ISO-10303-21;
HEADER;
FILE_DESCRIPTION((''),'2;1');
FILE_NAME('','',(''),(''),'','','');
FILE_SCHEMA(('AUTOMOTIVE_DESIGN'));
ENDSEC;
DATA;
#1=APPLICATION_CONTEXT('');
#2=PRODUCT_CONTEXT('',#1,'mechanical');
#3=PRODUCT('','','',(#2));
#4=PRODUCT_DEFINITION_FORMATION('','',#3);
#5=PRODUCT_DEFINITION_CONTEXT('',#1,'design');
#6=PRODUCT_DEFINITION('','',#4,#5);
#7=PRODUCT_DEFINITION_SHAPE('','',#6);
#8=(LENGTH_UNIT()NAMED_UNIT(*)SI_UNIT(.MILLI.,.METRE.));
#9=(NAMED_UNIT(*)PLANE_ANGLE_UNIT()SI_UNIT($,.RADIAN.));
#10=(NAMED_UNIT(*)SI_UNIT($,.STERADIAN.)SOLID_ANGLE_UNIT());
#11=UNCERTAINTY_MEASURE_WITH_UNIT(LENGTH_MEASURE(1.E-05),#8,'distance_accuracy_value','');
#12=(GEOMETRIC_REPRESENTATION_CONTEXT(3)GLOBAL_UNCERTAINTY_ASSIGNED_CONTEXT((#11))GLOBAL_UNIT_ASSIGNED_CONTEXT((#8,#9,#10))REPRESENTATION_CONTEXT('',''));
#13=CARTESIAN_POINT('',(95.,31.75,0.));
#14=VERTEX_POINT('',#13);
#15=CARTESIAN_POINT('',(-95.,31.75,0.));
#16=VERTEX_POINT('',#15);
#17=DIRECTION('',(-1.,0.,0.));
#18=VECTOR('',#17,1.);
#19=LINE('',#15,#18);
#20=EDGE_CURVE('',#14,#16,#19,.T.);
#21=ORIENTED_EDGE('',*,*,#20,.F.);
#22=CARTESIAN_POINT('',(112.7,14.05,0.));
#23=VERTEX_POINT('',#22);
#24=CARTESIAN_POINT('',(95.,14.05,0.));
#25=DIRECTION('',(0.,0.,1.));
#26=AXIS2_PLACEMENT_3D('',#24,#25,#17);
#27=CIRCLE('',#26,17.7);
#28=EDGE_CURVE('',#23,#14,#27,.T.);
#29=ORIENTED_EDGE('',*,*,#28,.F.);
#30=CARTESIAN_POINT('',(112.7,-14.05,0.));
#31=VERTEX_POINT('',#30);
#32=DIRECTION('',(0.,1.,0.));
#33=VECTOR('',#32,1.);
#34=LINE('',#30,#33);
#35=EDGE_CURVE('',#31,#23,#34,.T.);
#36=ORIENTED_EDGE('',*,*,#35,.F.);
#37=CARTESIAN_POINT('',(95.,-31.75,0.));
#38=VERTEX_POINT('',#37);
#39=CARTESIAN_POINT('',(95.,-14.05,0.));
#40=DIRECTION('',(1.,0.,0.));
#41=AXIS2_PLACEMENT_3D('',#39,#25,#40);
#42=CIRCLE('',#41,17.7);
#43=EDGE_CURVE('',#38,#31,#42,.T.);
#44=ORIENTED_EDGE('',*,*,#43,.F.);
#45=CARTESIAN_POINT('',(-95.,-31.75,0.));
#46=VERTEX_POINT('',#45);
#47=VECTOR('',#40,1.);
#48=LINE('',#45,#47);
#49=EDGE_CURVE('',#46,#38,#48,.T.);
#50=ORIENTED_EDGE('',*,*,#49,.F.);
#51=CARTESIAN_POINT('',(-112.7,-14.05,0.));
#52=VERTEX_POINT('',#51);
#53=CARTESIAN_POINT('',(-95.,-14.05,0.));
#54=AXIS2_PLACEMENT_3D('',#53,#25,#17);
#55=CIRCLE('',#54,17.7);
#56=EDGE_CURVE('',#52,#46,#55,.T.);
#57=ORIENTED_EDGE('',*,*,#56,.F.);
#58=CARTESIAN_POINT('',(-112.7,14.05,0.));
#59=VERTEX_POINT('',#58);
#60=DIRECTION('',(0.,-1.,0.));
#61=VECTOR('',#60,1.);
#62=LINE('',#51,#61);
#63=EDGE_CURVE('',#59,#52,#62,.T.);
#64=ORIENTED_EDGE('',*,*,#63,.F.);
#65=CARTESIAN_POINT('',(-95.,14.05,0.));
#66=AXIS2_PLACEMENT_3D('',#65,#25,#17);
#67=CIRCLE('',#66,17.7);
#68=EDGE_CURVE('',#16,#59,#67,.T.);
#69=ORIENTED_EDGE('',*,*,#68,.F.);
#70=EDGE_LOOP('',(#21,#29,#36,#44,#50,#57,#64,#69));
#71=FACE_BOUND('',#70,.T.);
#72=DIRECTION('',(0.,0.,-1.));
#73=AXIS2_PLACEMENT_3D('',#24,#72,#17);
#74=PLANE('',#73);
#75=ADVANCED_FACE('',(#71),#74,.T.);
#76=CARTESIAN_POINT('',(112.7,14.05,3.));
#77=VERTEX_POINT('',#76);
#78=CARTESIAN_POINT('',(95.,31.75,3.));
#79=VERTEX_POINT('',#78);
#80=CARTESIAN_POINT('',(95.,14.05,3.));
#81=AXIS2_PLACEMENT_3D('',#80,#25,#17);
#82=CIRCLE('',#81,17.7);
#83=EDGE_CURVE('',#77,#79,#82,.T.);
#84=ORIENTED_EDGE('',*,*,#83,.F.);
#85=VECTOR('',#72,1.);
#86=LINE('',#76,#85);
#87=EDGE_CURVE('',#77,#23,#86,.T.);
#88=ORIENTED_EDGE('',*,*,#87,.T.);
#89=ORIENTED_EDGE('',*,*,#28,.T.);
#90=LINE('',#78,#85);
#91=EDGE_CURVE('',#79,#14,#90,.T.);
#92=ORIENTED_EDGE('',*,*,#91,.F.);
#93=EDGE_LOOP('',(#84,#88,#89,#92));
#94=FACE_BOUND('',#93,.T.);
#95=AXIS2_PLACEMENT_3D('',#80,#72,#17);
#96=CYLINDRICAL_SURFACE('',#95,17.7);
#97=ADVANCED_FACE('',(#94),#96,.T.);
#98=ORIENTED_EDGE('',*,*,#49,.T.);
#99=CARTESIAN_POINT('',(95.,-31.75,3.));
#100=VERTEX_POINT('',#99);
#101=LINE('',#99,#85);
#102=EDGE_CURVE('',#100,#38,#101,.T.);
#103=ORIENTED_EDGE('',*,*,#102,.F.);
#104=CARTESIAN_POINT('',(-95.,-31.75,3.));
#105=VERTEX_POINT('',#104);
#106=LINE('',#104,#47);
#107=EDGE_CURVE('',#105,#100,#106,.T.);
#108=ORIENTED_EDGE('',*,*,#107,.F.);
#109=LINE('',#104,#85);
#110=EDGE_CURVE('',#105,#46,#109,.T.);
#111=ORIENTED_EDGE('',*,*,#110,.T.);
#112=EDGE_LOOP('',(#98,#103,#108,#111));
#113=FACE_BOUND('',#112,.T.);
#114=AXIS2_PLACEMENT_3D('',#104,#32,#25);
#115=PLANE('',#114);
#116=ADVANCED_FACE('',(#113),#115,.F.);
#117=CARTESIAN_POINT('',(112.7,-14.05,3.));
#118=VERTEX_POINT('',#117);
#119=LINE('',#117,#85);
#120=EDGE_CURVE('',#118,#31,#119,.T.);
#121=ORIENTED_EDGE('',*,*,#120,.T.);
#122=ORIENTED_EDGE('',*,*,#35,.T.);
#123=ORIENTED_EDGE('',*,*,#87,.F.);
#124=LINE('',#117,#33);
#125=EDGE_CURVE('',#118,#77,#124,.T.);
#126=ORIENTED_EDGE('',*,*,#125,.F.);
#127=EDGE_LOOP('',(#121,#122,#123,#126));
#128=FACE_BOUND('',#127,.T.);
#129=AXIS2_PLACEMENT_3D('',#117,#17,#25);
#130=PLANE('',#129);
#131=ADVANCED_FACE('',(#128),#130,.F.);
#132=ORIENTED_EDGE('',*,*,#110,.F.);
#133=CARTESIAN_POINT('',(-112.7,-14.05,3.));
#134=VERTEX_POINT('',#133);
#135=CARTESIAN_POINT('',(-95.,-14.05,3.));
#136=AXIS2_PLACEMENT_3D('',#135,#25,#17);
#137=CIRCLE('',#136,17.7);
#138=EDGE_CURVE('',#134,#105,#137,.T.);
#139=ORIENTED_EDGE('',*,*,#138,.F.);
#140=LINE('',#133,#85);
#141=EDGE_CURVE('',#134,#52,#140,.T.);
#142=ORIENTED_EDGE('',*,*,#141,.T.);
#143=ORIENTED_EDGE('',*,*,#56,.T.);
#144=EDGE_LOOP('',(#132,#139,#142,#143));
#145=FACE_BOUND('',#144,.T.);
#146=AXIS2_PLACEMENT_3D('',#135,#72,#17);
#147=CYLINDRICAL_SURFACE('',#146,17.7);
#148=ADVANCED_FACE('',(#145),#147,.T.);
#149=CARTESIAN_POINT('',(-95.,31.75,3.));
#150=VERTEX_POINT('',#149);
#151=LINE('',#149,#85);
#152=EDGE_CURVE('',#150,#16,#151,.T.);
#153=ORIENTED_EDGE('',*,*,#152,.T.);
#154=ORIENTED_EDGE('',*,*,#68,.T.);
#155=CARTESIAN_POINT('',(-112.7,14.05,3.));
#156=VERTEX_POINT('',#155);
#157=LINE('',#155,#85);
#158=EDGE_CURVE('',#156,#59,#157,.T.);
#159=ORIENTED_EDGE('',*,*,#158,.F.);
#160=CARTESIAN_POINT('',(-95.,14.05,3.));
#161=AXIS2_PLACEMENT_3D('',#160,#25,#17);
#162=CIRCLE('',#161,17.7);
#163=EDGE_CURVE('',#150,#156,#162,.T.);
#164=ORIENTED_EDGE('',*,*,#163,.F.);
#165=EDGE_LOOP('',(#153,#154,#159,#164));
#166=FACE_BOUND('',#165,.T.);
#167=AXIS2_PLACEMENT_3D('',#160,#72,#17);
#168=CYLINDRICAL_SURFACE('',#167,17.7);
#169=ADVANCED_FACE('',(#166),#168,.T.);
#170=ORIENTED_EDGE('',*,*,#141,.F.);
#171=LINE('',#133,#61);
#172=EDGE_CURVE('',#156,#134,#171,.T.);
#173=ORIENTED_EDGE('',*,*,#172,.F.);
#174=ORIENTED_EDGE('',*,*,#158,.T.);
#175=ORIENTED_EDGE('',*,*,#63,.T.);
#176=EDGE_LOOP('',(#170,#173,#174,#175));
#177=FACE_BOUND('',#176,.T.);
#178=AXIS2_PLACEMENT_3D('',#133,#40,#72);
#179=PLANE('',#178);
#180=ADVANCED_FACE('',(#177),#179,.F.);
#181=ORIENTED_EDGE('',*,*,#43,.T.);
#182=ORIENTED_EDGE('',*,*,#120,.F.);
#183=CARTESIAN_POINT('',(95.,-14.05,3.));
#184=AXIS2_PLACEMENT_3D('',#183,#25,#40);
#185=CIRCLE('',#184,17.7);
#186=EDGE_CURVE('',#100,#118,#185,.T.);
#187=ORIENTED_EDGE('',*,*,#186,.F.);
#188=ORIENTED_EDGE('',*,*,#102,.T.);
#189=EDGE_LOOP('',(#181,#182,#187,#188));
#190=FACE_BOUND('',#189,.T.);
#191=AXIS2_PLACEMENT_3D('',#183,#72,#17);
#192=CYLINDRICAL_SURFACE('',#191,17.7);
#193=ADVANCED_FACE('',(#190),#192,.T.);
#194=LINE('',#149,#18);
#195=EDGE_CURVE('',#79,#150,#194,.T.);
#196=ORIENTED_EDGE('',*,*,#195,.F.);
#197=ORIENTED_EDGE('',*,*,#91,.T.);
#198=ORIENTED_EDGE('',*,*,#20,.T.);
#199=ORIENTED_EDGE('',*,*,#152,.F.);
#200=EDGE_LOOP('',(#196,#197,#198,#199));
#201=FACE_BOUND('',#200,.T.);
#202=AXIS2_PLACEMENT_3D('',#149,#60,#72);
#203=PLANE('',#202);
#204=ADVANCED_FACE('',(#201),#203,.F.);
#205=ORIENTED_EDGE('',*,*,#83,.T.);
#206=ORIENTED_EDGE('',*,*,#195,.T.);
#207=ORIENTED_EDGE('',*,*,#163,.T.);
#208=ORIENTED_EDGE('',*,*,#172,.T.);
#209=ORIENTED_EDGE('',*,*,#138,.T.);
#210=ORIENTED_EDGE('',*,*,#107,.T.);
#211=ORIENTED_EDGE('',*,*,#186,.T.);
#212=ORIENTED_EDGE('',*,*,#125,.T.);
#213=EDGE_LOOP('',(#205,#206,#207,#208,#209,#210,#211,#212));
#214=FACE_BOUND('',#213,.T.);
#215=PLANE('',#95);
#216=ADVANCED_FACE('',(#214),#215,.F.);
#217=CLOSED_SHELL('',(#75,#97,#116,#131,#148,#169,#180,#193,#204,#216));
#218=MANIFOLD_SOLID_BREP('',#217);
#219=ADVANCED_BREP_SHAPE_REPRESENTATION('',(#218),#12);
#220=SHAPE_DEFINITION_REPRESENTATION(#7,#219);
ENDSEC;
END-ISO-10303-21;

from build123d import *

# Parameters (mm, degrees)
BOSS_EXTRU_1_DEPTH = 3


with BuildPart() as part:
    # Esquisse1 → Boss.-Extru.1 (new body)
    with BuildSketch(Plane.XY):
        with BuildLine():
            Line((-95, -31.75), (95, -31.75))
            ThreePointArc((95, -31.75), (107.515790027, -26.565790027), (112.7, -14.05))
            Line((112.7, -14.05), (112.7, 14.05))
            ThreePointArc((112.7, 14.05), (107.515790027, 26.565790027), (95, 31.75))
            Line((95, 31.75), (-95, 31.75))
            ThreePointArc((-95, 31.75), (-107.515790027, 26.565790027), (-112.7, 14.05))
            Line((-112.7, 14.05), (-112.7, -14.05))
            ThreePointArc((-112.7, -14.05), (-107.515790027, -26.565790027), (-95, -31.75))
        make_face()
    extrude(amount=BOSS_EXTRU_1_DEPTH)


solid = part.part
